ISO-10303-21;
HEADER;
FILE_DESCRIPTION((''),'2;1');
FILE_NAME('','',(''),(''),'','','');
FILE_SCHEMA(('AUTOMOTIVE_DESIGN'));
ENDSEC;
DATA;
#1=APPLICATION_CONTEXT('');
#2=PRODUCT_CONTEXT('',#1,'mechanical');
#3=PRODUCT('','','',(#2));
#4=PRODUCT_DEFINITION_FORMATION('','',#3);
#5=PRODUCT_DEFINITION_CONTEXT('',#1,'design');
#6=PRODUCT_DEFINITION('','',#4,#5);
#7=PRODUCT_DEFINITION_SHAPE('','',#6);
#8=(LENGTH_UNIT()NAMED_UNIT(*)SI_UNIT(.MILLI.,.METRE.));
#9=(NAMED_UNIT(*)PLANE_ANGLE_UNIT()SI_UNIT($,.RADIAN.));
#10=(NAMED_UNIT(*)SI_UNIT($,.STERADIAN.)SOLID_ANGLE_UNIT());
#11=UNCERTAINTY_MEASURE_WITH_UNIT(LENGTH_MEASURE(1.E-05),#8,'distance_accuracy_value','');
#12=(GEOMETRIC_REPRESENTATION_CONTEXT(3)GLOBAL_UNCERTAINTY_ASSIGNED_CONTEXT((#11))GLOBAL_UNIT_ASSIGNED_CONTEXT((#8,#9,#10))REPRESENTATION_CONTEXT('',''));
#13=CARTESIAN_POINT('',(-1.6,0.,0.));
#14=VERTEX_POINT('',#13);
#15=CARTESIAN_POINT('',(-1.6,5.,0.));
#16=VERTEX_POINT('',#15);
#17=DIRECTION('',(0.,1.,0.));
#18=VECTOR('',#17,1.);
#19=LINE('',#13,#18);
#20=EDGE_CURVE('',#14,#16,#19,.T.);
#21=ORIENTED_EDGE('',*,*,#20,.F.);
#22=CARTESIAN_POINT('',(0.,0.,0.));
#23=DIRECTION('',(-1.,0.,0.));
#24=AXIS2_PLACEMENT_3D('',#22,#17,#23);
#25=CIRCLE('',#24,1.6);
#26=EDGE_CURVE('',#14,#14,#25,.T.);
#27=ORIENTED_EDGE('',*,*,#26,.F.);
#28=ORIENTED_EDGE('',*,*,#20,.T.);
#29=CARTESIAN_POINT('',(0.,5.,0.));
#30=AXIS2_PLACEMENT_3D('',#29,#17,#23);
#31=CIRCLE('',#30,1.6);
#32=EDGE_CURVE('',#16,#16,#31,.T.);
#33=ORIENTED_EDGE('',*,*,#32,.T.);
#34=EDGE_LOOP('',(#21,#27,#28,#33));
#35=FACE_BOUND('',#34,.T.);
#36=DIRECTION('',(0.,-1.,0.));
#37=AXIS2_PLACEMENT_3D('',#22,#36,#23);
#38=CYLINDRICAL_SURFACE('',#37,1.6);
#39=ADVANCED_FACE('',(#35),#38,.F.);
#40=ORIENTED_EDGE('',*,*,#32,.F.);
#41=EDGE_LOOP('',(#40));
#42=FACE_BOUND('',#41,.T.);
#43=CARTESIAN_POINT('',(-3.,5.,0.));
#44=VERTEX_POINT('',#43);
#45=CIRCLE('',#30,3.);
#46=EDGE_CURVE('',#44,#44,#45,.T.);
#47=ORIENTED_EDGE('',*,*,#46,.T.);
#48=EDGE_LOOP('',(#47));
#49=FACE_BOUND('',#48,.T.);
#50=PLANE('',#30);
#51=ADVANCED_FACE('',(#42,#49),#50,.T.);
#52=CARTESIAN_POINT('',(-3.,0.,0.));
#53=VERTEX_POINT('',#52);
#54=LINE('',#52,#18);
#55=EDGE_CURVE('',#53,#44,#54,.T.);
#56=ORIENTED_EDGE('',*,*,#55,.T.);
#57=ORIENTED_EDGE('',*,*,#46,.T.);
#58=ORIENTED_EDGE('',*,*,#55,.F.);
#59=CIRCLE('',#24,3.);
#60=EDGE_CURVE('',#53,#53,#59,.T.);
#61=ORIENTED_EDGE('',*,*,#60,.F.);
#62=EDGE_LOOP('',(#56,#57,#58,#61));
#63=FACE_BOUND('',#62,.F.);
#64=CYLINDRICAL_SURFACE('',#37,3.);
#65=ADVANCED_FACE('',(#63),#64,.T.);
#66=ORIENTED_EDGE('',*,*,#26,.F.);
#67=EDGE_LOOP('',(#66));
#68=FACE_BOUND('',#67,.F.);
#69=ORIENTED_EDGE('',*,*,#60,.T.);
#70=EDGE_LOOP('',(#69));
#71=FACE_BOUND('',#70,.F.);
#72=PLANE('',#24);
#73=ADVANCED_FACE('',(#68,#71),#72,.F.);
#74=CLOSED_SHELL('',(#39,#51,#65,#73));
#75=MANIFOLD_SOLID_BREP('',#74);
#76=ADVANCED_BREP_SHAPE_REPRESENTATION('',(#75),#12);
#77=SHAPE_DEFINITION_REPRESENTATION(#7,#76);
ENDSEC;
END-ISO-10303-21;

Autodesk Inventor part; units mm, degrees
ref_plane "YZ Plane" through (0, 0, 0) normal (1, 0, 0) x (0, 1, 0)
ref_plane "XZ Plane" through (0, 0, 0) normal (0, 1, 0) x (-1, 0, 0)
ref_plane "XY Plane" through (0, 0, 0) normal (0, 0, 1) x (1, 0, 0)
sketch "Skizze1" plane through (0, 0, 0) normal (0, 1, 0) x (-1, 0, 0)
  circle A0 centre (0, 0) radius 1.6
  circle A1 centre (0, 0) radius 3
  dimension "d0" = 3.2
  dimension "d1" = 6
extrude "Extrusion1" add sketch "Skizze1" along normal blind 5
properties part number "_3D-Druck"
